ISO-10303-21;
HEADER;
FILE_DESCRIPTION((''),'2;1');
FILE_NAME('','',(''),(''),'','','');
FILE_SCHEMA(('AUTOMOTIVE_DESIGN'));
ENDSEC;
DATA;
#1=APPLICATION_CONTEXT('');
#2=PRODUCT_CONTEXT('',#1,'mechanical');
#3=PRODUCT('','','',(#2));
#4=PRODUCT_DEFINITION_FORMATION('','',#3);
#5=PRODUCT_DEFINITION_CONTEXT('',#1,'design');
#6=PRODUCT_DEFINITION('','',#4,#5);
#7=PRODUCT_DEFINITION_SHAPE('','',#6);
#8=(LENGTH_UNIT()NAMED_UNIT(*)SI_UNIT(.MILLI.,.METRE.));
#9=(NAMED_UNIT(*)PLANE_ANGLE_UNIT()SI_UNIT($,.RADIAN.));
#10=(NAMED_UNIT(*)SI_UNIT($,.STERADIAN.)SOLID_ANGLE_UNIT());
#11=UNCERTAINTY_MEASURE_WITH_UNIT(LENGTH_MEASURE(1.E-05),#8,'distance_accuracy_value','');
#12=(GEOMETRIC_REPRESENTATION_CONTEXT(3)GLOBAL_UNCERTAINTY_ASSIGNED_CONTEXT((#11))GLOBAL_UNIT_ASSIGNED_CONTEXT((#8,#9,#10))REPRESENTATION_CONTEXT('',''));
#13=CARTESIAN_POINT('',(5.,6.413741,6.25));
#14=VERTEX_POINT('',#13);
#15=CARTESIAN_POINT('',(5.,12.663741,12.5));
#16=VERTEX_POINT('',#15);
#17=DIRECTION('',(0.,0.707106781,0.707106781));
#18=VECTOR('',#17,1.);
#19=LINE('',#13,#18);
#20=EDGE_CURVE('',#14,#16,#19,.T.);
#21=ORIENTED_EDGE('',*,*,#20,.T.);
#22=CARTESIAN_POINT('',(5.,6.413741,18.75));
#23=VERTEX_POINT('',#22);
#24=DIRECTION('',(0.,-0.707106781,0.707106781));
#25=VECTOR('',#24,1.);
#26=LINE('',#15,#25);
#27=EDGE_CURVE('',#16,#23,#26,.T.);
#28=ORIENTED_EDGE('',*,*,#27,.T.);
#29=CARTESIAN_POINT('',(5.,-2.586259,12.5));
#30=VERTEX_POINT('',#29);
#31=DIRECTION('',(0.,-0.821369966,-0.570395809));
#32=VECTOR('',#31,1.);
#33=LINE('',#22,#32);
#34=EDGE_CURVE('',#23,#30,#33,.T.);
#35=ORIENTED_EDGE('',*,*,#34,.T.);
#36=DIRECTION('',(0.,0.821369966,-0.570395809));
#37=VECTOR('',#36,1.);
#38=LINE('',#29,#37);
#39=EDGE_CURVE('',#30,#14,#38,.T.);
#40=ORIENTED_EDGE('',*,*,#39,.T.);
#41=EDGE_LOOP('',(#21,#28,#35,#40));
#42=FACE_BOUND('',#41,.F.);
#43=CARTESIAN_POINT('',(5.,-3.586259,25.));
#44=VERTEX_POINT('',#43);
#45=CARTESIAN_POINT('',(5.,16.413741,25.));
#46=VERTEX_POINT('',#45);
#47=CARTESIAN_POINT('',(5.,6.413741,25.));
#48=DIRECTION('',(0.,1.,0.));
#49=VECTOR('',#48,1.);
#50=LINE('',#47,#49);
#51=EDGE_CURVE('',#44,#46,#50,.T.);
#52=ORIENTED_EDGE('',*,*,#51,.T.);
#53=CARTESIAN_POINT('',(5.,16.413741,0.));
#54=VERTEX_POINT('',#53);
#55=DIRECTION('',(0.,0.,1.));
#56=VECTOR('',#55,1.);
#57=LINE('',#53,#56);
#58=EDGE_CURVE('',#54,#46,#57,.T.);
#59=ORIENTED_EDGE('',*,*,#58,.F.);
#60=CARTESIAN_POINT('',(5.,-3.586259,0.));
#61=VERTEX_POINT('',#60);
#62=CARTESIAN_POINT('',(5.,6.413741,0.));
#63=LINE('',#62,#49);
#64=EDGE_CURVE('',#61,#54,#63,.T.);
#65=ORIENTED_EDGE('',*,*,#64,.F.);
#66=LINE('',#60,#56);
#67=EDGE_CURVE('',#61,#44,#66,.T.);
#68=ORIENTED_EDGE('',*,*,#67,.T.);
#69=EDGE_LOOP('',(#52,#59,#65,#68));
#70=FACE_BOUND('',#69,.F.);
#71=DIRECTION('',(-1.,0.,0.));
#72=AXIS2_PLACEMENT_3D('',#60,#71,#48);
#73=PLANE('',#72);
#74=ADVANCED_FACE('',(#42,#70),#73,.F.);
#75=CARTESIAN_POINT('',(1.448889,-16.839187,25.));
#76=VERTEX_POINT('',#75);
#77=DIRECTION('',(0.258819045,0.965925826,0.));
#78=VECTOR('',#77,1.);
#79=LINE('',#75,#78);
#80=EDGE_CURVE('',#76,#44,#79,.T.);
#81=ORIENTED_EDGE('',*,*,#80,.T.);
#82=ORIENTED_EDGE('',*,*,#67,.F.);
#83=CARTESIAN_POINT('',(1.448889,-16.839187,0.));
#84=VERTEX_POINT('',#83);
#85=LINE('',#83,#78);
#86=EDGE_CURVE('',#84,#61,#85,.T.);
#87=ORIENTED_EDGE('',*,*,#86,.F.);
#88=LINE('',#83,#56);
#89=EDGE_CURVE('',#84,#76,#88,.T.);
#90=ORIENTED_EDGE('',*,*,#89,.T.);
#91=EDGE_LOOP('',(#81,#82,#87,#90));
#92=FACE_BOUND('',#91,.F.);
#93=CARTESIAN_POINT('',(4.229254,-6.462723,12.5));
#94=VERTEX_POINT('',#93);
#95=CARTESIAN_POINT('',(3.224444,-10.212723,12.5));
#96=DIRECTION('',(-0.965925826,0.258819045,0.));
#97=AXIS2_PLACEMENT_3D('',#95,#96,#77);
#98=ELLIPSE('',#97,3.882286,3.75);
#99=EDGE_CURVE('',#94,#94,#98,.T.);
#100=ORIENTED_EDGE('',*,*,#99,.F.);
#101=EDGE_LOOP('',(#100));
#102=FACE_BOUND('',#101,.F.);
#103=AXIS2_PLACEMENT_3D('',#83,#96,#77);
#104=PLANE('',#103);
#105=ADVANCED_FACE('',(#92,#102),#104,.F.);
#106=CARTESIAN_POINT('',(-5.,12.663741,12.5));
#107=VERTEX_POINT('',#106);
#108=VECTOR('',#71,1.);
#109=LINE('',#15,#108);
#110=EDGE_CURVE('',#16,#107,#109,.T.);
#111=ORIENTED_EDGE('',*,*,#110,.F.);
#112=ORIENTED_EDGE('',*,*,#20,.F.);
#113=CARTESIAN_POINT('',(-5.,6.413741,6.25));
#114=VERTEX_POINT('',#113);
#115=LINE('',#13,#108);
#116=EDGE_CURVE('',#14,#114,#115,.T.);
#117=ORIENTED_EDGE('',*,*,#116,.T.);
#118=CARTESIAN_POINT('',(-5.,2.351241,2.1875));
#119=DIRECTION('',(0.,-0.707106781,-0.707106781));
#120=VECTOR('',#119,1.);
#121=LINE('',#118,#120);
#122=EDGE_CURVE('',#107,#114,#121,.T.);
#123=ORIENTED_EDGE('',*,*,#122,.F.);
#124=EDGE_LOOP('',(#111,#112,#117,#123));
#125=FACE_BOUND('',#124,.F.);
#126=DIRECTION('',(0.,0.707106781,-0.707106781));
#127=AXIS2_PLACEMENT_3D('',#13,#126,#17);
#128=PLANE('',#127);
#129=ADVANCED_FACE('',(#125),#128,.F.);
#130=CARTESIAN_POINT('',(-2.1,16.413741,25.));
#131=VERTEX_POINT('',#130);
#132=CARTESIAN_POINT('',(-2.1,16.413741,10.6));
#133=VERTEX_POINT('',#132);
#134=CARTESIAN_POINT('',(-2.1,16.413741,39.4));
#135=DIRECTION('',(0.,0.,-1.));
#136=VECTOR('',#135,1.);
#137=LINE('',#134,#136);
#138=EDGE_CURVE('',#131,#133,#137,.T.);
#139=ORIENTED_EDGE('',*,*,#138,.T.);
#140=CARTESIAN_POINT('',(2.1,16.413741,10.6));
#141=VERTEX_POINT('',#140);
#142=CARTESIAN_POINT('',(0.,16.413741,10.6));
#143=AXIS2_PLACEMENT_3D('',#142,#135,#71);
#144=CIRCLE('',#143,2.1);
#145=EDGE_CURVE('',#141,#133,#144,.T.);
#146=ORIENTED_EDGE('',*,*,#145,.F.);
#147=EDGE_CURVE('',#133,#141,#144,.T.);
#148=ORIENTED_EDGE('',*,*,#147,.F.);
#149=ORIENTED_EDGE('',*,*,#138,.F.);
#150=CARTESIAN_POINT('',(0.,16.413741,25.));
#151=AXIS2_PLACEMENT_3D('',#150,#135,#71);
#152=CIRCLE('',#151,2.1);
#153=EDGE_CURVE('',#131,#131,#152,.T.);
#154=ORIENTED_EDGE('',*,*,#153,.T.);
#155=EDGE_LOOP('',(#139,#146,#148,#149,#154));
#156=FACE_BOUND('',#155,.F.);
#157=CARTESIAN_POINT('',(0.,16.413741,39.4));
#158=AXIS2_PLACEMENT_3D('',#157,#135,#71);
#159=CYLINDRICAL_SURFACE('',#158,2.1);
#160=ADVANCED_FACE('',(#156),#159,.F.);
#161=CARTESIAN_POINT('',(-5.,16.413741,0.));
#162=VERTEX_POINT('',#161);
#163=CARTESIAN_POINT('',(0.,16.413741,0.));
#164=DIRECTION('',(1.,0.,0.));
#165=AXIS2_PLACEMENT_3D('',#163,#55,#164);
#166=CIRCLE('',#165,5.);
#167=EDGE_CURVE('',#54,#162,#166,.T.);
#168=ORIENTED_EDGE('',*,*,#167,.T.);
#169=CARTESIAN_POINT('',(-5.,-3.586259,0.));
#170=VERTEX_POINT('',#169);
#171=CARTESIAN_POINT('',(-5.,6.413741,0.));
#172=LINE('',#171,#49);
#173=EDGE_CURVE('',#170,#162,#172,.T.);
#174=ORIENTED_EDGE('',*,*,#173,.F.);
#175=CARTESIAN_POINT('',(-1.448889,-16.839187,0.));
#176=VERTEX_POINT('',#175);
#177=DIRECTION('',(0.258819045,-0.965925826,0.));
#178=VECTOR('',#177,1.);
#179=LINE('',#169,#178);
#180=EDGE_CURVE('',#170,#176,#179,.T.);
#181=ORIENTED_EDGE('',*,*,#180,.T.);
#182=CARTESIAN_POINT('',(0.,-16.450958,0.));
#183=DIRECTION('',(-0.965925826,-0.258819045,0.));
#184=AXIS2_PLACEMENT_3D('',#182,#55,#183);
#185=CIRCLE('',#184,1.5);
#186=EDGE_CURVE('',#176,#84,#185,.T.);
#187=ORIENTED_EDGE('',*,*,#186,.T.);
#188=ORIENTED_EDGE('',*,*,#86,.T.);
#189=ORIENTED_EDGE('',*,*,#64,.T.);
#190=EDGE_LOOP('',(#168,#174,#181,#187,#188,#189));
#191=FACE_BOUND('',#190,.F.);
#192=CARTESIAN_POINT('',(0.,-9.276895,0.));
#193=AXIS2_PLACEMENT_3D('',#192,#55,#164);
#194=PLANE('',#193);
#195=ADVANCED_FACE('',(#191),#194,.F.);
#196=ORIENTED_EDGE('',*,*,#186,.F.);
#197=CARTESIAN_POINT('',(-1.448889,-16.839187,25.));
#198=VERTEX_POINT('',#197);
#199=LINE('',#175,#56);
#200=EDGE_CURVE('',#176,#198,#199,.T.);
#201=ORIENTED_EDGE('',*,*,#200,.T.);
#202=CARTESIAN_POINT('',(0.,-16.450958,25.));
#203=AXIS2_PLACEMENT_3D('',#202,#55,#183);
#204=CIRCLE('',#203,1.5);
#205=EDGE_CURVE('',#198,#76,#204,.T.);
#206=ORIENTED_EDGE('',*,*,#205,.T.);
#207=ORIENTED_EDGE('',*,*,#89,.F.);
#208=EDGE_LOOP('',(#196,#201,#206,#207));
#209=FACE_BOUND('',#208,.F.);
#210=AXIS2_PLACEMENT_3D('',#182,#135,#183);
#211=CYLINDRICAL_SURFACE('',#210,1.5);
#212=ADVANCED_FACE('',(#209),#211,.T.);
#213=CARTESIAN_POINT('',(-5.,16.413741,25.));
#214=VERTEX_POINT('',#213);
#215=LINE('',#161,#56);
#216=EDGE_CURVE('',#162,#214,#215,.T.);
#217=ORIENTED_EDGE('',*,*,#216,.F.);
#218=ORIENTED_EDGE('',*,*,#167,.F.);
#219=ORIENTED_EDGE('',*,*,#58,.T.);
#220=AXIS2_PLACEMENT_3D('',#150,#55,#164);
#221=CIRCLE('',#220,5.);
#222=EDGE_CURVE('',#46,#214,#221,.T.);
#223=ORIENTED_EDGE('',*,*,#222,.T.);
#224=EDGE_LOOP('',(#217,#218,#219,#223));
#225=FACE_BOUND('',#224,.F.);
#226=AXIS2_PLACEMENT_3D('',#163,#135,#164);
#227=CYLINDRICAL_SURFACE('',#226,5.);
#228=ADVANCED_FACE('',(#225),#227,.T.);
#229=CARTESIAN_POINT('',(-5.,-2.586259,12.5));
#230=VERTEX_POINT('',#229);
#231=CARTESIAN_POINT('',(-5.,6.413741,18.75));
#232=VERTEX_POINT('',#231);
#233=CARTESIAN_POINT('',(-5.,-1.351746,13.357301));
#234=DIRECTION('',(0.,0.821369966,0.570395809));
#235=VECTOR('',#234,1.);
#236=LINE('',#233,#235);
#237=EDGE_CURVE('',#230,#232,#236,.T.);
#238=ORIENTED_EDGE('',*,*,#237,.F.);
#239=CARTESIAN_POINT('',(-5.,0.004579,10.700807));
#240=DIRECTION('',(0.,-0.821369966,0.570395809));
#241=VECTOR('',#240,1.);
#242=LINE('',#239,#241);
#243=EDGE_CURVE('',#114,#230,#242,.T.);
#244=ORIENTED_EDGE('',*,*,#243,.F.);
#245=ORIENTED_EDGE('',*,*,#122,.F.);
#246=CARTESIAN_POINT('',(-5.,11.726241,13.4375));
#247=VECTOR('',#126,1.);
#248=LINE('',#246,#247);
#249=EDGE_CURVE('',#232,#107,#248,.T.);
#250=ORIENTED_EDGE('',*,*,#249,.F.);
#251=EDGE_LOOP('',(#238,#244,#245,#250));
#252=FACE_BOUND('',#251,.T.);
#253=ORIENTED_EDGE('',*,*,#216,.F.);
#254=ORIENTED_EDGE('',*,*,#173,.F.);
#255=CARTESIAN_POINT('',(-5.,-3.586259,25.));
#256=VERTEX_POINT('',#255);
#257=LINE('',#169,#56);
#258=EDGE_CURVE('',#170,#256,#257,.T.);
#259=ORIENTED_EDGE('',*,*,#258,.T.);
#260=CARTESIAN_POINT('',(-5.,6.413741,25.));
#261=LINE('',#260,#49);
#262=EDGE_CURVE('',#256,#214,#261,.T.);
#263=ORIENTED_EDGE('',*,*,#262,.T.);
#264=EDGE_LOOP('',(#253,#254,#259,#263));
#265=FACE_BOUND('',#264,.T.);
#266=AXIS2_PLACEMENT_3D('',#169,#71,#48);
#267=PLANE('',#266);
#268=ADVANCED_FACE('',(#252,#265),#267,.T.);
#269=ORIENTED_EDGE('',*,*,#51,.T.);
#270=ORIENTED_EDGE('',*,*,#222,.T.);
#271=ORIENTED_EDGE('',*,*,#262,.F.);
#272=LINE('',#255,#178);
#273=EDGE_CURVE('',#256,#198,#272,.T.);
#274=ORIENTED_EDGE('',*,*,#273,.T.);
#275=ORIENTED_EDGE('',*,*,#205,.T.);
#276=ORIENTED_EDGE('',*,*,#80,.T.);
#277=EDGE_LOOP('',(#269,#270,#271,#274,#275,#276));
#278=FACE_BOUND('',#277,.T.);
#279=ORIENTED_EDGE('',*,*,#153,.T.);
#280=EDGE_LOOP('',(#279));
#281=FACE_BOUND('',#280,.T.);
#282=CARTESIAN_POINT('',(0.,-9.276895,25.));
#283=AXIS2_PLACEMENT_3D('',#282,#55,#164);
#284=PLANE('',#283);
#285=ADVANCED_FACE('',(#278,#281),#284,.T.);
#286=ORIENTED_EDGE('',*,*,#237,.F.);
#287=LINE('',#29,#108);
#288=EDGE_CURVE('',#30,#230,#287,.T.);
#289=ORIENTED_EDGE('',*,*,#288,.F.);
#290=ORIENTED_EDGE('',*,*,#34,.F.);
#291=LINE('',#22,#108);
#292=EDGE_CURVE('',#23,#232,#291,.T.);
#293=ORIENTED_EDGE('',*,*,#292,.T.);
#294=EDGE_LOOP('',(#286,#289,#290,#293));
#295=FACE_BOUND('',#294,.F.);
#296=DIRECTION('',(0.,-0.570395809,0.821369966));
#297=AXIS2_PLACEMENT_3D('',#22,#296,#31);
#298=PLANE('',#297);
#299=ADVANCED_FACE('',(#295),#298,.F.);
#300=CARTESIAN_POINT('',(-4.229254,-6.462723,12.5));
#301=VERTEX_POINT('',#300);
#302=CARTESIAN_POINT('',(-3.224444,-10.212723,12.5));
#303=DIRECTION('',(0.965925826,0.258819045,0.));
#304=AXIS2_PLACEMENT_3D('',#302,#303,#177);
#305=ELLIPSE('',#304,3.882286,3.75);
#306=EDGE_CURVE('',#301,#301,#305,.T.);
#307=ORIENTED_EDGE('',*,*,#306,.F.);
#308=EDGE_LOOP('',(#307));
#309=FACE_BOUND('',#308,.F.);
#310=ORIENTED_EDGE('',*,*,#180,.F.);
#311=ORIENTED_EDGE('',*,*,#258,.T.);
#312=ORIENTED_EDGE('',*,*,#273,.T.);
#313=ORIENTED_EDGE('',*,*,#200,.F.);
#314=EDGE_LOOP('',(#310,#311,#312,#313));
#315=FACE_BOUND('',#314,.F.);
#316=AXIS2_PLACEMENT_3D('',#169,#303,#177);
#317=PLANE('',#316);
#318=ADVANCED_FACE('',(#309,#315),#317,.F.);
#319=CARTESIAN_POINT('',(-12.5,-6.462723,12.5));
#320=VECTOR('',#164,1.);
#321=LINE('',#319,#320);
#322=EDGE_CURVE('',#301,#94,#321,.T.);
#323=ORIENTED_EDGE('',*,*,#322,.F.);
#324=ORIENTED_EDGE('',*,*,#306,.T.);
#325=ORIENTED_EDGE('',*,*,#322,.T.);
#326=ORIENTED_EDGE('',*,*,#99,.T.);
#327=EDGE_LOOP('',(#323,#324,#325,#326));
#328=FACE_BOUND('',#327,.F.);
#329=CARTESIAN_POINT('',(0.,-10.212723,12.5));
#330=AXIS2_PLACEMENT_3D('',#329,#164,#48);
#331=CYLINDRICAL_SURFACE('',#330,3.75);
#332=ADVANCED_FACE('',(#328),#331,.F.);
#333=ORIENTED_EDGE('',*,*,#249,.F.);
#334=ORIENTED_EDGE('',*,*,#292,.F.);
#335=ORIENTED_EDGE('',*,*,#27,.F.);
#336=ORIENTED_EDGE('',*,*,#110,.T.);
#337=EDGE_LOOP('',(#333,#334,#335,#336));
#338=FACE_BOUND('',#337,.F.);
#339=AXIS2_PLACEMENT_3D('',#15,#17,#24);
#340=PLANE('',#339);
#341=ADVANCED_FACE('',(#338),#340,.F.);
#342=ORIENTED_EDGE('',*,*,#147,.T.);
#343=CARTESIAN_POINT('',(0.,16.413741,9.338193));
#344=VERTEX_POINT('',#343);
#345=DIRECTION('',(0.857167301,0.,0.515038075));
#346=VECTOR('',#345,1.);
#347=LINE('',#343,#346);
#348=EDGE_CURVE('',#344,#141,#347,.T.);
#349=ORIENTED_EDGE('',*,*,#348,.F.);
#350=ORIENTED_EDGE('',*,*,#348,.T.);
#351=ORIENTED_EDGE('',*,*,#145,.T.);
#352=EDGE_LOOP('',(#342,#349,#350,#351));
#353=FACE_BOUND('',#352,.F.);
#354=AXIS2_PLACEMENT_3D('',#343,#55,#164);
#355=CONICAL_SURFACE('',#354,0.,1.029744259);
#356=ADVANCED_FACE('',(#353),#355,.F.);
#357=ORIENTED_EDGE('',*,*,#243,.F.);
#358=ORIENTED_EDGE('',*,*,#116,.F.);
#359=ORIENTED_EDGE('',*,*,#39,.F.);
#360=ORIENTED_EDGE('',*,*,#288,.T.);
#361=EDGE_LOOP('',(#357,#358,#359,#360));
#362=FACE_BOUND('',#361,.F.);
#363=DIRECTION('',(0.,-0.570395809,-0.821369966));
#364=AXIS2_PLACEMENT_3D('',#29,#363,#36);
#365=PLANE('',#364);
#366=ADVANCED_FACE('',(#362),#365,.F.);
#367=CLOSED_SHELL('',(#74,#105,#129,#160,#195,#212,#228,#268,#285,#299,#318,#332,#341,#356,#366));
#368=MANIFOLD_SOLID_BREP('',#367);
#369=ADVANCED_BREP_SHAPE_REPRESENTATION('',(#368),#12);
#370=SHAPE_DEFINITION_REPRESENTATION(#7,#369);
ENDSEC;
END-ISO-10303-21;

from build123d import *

# Parameters (mm, degrees)
F0_W     = 10
F0_H     = 20
F1_DEPTH = 25
F3_DEPTH = 10.001
F4_R     = 3.75
F5_DEPTH = 12.5
F7_D     = 4.2
F7_DEPTH = 14.4
F7_TIP   = 1.2618073


with BuildPart() as f1:
    # F0 (on Top) → F1 (new body)
    with BuildSketch(Plane.XY):
        with BuildLine():
            Line((1.4488887394, -16.8391867264), (5, -3.5862590786))
            Line((5, -3.5862590786), (-5, -3.5862590786))
            Line((-5, -3.5862590786), (-1.4488887394, -16.8391867264))
            ThreePointArc((-1.4488887394, -16.8391867264), (0, -17.9509581587), (1.4488887394, -16.8391867264))
        make_face()
        with Locations((0, 6.4137409214)):
            Rectangle(F0_W, F0_H)
        with BuildLine():
            Line((-5, 16.4137409214), (5, 16.4137409214))
            ThreePointArc((5, 16.4137409214), (0, 21.4137409214), (-5, 16.4137409214))
        make_face()
    extrude(amount=F1_DEPTH)

    # F2 (on face) → F3 (cut, through all)
    with BuildSketch(Plane.YZ.offset(5)):
        Polygon((12.6637409214, 12.5), (6.4137409214, 18.75), (-2.5862590786, 12.5), (6.4137409214, 6.25), align=None)
    extrude(amount=-F3_DEPTH, mode=Mode.SUBTRACT)

    # F4 (on Right) → F5 (cut, symmetric)
    with BuildSketch(Plane.YZ):
        with Locations((-10.2127229025, 12.5)):
            Circle(F4_R)
    extrude(amount=F5_DEPTH, both=True, mode=Mode.SUBTRACT)

    # F7
    with Locations(Plane.XY.offset(25)):
        with Locations((0, 16.4137409214)):
            Hole(F7_D / 2, depth=F7_DEPTH)
            with Locations((0, 0, -(F7_DEPTH + F7_TIP / 2))):  # 118° drill point
                Cone(0, F7_D / 2, F7_TIP, mode=Mode.SUBTRACT)


solid = f1.part
